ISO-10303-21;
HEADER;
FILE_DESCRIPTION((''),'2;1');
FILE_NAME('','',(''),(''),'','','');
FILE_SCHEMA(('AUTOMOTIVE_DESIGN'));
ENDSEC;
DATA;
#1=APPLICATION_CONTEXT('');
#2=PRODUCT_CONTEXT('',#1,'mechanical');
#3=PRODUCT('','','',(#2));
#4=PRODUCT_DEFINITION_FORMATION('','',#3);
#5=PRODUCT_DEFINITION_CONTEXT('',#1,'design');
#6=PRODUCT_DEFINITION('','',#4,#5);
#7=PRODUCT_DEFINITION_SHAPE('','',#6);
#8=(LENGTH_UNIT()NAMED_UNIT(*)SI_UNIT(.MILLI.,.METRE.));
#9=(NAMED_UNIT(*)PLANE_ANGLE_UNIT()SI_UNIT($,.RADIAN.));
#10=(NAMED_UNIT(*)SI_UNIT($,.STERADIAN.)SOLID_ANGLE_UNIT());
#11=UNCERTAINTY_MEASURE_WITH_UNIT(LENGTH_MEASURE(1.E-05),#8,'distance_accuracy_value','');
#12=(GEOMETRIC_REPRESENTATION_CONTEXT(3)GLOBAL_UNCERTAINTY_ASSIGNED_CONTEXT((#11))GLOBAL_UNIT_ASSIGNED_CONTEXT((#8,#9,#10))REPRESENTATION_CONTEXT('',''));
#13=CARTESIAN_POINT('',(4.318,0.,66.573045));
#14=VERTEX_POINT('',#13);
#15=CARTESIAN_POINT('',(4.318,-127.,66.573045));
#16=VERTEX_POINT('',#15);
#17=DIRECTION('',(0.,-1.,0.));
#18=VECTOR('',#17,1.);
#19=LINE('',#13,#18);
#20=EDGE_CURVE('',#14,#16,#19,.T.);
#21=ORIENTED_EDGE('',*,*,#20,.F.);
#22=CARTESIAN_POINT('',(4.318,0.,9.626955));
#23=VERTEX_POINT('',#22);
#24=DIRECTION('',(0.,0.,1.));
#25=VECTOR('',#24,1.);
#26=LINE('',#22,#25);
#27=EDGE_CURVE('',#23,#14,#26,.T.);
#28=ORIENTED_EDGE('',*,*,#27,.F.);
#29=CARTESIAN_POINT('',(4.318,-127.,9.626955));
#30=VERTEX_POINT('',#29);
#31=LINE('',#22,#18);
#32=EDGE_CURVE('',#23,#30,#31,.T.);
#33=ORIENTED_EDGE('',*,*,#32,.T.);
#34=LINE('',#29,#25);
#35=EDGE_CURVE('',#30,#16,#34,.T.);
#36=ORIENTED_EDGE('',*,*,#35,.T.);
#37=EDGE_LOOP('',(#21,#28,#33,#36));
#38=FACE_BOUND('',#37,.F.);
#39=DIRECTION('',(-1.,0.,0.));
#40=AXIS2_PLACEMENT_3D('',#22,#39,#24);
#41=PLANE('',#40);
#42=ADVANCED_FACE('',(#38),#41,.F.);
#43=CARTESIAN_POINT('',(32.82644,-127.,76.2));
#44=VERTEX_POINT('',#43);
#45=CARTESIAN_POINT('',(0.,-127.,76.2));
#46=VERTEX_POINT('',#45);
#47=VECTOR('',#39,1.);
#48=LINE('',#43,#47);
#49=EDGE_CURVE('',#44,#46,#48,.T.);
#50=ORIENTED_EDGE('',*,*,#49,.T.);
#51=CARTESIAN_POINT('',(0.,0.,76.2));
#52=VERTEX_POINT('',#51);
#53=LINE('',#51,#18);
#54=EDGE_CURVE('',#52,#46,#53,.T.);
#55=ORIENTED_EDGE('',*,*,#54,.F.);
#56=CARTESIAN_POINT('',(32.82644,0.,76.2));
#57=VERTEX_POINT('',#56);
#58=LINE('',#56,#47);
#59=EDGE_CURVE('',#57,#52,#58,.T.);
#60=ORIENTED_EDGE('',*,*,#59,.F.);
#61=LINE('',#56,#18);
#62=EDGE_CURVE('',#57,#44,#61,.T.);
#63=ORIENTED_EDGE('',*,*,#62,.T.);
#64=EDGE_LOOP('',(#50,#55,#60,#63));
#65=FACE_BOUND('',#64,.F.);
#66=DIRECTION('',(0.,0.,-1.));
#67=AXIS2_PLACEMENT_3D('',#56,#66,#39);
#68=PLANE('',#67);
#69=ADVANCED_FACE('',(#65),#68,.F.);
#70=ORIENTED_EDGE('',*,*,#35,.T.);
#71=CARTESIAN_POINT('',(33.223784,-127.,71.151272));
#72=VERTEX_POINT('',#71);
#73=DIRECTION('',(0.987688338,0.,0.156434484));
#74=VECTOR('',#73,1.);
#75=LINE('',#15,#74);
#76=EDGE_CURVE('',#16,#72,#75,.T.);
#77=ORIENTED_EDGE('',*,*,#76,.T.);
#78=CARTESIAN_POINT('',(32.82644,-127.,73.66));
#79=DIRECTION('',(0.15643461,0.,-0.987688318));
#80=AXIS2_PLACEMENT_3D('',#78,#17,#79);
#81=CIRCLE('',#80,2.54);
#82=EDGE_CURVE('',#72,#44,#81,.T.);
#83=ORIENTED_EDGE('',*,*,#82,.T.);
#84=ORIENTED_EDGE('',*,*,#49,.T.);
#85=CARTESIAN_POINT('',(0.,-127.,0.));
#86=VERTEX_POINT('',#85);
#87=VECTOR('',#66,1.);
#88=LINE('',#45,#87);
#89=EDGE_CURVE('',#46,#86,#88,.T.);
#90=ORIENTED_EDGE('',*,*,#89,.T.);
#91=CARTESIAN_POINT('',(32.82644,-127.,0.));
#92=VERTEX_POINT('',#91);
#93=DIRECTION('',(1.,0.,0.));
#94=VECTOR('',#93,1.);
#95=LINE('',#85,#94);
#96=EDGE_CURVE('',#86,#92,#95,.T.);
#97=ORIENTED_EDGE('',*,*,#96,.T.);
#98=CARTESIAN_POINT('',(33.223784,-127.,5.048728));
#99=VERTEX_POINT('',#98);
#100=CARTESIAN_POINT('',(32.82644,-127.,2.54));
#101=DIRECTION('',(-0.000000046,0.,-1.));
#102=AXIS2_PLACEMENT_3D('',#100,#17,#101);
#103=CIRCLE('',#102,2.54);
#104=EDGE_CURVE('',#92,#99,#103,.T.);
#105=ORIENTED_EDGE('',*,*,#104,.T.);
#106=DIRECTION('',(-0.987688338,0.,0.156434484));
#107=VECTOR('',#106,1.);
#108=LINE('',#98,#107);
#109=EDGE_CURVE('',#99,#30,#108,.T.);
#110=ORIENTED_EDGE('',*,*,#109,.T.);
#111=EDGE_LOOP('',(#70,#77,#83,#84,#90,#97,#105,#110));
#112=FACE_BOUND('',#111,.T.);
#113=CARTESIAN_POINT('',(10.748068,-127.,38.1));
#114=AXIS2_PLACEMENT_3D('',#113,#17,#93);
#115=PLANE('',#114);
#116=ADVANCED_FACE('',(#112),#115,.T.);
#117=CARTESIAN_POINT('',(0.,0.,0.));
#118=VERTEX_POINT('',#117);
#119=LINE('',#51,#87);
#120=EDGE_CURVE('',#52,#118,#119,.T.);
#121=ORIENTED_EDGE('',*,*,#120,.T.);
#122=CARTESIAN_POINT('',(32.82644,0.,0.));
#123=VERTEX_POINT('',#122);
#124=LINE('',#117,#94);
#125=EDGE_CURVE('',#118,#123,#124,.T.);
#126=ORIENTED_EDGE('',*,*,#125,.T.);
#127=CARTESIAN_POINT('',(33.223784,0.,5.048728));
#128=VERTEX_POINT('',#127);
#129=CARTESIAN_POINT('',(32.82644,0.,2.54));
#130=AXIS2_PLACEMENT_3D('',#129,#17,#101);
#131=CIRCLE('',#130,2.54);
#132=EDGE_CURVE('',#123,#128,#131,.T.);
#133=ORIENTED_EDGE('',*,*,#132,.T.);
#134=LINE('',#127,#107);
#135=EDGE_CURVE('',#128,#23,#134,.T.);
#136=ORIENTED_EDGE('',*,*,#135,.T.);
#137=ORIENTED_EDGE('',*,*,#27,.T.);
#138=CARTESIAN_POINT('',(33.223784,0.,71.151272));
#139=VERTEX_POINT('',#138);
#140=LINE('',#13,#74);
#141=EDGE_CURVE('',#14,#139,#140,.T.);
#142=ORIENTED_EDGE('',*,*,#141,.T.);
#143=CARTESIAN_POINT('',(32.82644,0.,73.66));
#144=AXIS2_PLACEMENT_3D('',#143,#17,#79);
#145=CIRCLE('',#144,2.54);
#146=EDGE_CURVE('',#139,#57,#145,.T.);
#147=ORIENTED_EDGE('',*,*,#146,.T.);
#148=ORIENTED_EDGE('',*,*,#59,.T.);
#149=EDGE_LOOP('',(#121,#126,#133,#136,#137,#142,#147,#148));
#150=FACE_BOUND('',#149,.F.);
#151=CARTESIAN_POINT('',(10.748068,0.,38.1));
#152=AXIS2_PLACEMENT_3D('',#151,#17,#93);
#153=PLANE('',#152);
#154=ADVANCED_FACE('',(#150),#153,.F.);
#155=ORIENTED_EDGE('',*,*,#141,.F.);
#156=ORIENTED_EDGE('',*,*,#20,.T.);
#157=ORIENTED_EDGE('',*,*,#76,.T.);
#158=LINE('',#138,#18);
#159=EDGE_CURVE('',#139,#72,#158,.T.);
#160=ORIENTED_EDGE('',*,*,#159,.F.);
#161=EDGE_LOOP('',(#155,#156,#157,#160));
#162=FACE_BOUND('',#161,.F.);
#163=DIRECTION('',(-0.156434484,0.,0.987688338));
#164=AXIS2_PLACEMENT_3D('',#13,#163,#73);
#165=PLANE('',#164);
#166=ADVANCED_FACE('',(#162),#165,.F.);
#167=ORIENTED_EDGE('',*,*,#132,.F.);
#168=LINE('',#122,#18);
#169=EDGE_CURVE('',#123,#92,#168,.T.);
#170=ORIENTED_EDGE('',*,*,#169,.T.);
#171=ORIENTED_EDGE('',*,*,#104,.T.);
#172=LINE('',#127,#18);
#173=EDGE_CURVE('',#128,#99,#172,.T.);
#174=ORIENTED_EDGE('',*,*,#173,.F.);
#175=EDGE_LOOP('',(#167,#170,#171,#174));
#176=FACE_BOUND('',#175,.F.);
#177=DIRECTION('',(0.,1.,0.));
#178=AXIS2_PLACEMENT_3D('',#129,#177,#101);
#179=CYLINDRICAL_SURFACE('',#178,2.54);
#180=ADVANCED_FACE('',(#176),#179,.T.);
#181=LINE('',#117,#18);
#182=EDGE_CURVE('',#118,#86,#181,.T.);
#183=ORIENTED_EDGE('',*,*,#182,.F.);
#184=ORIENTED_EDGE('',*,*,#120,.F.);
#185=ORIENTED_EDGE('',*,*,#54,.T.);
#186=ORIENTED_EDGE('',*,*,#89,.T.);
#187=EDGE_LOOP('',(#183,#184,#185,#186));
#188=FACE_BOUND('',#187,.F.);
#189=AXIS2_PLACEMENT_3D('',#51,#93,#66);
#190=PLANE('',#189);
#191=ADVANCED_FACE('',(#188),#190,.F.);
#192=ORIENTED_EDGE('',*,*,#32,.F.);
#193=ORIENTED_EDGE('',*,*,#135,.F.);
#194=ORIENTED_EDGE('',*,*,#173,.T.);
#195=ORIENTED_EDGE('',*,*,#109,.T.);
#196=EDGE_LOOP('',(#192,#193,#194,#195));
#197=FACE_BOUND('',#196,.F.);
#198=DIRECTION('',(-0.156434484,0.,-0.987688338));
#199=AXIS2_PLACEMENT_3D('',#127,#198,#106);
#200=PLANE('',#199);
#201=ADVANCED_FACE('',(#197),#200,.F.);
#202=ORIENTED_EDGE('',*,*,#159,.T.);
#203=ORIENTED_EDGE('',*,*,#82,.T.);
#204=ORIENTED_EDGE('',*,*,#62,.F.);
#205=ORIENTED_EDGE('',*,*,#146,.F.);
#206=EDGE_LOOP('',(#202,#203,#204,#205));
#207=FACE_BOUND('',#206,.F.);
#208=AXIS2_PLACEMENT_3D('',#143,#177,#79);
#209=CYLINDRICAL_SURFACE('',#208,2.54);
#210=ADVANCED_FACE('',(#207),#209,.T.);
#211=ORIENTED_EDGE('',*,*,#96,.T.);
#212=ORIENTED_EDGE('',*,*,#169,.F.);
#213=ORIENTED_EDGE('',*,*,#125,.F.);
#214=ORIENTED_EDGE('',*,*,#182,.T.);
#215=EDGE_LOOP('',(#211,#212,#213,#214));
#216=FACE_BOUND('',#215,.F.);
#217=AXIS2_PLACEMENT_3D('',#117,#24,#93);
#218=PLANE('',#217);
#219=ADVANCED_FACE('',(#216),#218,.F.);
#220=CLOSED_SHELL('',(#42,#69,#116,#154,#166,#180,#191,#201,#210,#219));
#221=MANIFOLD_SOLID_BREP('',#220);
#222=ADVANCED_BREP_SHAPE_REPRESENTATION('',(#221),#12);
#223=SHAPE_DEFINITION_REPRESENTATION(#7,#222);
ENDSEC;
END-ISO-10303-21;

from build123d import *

# Parameters (mm, degrees)
F1_DEPTH = 127


with BuildPart() as f1:
    # F0 (on Front) → F1 (new body)
    with BuildSketch(Plane.XZ):
        with BuildLine():
            Line((0, 76.2), (0, 38.1))
            Line((0, 38.1), (0, 0))
            Line((0, 0), (32.82644, 0))
            ThreePointArc((32.82644, 0), (35.35861, 2.340714), (33.223784, 5.048728))
            Line((33.223784, 5.048728), (4.318, 9.626955))
            Line((4.318, 9.626955), (4.318, 38.1))
            Line((4.318, 38.1), (4.318, 66.573045))
            Line((4.318, 66.573045), (33.223784, 71.151272))
            ThreePointArc((33.223784, 71.151272), (35.35861, 73.859286), (32.82644, 76.2))
            Line((32.82644, 76.2), (0, 76.2))
        make_face()
    extrude(amount=F1_DEPTH)


solid = f1.part
